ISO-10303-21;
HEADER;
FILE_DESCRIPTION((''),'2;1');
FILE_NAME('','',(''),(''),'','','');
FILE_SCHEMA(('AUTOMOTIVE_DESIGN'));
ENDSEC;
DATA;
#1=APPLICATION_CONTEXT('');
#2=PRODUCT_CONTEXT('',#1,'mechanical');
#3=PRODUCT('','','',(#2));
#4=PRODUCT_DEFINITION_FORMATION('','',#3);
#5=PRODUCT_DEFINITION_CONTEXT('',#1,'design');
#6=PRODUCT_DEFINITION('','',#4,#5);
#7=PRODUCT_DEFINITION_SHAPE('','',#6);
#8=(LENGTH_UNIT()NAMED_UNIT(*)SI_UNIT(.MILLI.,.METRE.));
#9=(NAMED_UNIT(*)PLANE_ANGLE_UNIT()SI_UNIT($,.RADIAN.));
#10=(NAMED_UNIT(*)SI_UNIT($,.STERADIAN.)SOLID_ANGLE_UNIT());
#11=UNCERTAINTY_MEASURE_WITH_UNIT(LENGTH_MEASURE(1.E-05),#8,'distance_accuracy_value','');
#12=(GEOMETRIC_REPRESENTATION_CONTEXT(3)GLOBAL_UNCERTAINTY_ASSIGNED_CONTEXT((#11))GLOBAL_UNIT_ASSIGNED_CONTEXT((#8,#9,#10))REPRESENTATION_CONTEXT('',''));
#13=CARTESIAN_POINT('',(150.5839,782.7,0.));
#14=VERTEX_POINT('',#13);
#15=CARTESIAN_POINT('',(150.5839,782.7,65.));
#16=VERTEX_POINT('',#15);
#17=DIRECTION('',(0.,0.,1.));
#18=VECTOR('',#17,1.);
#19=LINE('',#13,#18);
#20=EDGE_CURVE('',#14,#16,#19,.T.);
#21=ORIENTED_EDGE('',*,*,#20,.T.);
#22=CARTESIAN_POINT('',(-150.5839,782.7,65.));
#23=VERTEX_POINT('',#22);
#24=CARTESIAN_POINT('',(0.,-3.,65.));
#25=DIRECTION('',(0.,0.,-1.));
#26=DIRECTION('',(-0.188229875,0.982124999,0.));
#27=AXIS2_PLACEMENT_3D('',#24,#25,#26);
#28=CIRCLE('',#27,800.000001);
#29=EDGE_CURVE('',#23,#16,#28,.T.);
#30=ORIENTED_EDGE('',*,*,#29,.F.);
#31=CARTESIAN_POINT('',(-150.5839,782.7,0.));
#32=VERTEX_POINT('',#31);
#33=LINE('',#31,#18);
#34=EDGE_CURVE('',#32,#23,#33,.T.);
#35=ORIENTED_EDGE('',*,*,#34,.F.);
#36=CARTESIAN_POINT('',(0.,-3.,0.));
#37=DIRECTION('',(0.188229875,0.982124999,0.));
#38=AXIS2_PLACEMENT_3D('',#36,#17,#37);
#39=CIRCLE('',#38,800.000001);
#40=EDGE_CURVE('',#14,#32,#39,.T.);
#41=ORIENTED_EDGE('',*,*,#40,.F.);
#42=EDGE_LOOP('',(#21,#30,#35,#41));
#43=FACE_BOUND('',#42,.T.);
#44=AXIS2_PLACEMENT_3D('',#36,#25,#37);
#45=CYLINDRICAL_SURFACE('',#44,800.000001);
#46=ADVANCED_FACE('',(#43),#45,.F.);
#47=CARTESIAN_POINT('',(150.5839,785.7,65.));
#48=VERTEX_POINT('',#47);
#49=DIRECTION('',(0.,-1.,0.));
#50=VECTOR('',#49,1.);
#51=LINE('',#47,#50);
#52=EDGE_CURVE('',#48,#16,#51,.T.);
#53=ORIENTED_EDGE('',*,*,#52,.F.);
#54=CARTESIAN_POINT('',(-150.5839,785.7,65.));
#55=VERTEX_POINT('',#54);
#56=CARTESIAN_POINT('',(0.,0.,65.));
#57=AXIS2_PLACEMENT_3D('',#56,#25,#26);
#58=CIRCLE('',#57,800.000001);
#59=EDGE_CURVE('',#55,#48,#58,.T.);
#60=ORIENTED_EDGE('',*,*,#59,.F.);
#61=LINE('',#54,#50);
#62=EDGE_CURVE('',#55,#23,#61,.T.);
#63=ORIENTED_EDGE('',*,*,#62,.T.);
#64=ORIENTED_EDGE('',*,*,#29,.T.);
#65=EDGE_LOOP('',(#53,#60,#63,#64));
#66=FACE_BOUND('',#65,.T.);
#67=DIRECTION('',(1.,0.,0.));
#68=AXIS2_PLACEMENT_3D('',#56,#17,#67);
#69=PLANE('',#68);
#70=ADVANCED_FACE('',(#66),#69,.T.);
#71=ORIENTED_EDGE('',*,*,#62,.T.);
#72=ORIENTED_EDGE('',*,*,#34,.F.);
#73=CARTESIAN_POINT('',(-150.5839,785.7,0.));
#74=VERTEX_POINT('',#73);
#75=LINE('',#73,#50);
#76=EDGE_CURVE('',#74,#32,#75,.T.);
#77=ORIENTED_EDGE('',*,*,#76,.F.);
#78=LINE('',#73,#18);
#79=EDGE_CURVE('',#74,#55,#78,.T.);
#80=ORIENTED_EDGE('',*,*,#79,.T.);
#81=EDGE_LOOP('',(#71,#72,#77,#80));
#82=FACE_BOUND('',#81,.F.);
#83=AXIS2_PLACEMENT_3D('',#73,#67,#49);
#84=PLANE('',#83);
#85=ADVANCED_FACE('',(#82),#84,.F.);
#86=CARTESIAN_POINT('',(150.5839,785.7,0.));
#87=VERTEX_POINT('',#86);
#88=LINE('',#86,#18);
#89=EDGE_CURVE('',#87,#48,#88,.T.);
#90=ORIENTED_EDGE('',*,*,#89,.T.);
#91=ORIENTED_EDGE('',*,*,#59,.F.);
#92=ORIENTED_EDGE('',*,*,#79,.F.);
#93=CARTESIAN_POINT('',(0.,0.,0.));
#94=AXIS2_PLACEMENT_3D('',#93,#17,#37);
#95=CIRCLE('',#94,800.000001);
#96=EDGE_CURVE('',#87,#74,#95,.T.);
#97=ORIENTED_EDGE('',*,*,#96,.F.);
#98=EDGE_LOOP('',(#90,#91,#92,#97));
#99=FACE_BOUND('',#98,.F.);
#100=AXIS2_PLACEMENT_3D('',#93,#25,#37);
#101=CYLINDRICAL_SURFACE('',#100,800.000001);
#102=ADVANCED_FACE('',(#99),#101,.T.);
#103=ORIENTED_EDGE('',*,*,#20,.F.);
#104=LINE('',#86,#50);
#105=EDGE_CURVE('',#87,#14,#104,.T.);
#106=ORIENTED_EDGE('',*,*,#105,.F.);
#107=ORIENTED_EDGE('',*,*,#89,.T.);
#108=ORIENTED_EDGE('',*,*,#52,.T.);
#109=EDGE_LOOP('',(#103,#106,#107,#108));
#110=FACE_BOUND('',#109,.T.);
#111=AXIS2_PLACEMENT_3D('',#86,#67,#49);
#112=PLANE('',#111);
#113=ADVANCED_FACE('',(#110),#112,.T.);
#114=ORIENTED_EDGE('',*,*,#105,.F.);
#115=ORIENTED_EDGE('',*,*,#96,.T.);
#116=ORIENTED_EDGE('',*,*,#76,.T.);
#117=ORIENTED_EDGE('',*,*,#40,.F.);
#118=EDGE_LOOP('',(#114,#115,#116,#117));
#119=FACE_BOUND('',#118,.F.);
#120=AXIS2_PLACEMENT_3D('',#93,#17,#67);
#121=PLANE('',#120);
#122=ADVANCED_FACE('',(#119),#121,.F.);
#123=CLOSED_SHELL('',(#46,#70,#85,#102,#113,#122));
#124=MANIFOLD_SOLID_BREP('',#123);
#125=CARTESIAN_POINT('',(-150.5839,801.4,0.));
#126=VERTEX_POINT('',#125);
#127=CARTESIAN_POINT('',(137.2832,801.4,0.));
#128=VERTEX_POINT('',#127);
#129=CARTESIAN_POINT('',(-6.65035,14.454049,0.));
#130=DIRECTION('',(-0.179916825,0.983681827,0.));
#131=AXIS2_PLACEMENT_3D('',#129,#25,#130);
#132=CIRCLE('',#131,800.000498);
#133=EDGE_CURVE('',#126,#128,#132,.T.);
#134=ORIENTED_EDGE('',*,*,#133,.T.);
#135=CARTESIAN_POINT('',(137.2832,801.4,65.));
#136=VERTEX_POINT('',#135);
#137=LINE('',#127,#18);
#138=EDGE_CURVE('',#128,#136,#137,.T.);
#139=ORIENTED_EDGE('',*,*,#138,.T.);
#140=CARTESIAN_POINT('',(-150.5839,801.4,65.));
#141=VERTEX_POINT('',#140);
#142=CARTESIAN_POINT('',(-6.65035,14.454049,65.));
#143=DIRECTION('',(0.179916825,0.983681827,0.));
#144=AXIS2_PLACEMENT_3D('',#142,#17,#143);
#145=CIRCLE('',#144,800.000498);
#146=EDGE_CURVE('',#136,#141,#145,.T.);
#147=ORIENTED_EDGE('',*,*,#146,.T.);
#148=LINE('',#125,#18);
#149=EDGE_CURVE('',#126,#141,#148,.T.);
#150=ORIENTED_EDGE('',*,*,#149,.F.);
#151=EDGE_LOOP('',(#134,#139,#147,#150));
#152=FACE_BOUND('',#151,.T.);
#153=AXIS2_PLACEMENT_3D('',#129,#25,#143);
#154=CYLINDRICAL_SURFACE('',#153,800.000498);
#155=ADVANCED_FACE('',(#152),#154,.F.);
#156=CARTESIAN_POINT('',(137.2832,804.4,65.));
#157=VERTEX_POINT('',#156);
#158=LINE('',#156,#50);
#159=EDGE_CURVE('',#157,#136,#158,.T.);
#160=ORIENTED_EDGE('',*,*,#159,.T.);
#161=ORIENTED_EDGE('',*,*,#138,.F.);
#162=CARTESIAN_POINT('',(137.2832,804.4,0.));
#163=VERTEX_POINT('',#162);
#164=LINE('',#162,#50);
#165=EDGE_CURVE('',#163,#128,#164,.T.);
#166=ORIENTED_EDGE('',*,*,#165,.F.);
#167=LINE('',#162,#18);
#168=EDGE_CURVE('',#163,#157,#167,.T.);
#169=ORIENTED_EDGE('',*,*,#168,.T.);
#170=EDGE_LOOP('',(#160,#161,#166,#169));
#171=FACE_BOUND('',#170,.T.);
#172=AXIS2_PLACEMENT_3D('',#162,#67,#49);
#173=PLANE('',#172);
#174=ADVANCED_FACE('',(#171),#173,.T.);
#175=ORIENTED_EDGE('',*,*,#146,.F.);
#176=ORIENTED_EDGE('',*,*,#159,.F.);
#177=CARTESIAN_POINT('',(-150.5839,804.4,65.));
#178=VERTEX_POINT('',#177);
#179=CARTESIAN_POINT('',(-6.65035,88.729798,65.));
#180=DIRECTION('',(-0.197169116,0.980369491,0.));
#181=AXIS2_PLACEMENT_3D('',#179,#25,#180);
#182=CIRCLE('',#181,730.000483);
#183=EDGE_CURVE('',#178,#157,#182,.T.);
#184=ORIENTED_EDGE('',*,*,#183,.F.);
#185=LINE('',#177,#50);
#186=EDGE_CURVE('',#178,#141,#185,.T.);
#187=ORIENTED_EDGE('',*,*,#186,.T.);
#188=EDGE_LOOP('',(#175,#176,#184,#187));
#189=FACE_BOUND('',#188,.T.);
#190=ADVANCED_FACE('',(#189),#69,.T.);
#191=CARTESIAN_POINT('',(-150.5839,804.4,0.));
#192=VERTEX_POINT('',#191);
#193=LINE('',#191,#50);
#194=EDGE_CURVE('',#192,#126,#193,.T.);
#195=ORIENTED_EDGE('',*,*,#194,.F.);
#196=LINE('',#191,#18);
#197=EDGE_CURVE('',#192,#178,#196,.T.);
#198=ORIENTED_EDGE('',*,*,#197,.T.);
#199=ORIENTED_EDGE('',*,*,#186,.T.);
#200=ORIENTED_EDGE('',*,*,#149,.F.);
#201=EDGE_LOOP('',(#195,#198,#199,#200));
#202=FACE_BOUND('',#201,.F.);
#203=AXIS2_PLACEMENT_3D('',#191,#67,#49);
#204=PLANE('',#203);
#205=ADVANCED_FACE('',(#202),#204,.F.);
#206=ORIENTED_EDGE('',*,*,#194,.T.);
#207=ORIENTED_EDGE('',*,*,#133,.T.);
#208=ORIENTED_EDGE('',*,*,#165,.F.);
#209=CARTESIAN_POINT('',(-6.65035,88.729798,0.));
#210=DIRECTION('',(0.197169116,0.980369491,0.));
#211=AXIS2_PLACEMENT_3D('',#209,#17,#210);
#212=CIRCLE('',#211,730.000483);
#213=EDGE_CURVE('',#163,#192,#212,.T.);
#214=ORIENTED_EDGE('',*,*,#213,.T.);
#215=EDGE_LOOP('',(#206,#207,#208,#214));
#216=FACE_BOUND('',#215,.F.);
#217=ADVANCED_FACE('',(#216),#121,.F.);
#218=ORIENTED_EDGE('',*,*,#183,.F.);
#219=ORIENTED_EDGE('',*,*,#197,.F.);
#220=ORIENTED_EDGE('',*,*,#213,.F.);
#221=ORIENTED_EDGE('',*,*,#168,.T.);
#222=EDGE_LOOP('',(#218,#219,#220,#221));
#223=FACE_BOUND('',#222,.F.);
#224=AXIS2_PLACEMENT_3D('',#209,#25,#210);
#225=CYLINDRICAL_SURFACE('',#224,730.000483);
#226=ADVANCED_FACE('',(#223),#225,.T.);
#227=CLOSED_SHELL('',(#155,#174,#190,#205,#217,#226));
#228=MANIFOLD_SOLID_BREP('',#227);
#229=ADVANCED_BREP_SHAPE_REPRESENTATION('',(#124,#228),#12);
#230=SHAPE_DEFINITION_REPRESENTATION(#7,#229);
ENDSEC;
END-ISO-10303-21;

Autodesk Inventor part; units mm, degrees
ref_plane "YZ Plane" through (0, 0, 0) normal (1, 0, 0) x (0, 1, 0)
ref_plane "XZ Plane" through (0, 0, 0) normal (0, 1, 0) x (-1, 0, 0)
ref_plane "XY Plane" through (0, 0, 0) normal (0, 0, 1) x (1, 0, 0)
sketch "Esquisse1" plane through (0, 0, 0) normal (0, 0, 1) x (1, 0, 0)
  line L0 (-150.5839, 785.7) -> (150.5839, 785.7)
  arc A0 (150.5839, 785.7) -> (-150.5839, 785.7) centre (0, 0) ccw
  line L1 (-150.5839, 801.4) -> (137.2832, 801.4)
  arc A1 (137.2832, 801.4) -> (-150.5839, 801.4) centre (-6.6503, 14.4546) ccw
  line L2 (-150.5839, 782.7) -> (150.5839, 782.7)
  line L3 (-150.5839, 804.4) -> (137.2832, 804.4)
  line L4 (0, 797) -> (-150.5839, 797)
  arc A2 (150.5839, 782.7) -> (-150.5839, 782.7) centre (0, -3) ccw
  line L5 (0, 818.7) -> (-146.2821, 818.7)
  arc A3 (137.2832, 804.4) -> (-150.5839, 804.4) centre (-6.6503, 88.7303) ccw
  line L6 (-150.5839, 804.4) -> (-150.5839, 801.4)
  line L7 (-150.5839, 785.7) -> (-150.5839, 782.7)
  line L8 (137.2832, 804.4) -> (137.2832, 801.4)
  line L9 (150.5839, 785.7) -> (150.5839, 782.7)
  point P0 (0, 0)
  dimension "d4" = 785.7
  dimension "d6" = 15.7
  dimension "d7" = 3
  dimension "d8" = 3
  dimension "d9" = 14.3
  dimension "d10" = 14.3
extrude "Extrusion1" add sketch "Esquisse1" along normal blind 65 contours A0 L4 A2 L0 | L0 A2 L7 | A0 L0 A2 L4 | L0 L9 A2 | L6 L3 A1 | A1 L3 L8 | L3 A3 L5 A1 | A3 L5
properties part number "arc_de_cercle"
